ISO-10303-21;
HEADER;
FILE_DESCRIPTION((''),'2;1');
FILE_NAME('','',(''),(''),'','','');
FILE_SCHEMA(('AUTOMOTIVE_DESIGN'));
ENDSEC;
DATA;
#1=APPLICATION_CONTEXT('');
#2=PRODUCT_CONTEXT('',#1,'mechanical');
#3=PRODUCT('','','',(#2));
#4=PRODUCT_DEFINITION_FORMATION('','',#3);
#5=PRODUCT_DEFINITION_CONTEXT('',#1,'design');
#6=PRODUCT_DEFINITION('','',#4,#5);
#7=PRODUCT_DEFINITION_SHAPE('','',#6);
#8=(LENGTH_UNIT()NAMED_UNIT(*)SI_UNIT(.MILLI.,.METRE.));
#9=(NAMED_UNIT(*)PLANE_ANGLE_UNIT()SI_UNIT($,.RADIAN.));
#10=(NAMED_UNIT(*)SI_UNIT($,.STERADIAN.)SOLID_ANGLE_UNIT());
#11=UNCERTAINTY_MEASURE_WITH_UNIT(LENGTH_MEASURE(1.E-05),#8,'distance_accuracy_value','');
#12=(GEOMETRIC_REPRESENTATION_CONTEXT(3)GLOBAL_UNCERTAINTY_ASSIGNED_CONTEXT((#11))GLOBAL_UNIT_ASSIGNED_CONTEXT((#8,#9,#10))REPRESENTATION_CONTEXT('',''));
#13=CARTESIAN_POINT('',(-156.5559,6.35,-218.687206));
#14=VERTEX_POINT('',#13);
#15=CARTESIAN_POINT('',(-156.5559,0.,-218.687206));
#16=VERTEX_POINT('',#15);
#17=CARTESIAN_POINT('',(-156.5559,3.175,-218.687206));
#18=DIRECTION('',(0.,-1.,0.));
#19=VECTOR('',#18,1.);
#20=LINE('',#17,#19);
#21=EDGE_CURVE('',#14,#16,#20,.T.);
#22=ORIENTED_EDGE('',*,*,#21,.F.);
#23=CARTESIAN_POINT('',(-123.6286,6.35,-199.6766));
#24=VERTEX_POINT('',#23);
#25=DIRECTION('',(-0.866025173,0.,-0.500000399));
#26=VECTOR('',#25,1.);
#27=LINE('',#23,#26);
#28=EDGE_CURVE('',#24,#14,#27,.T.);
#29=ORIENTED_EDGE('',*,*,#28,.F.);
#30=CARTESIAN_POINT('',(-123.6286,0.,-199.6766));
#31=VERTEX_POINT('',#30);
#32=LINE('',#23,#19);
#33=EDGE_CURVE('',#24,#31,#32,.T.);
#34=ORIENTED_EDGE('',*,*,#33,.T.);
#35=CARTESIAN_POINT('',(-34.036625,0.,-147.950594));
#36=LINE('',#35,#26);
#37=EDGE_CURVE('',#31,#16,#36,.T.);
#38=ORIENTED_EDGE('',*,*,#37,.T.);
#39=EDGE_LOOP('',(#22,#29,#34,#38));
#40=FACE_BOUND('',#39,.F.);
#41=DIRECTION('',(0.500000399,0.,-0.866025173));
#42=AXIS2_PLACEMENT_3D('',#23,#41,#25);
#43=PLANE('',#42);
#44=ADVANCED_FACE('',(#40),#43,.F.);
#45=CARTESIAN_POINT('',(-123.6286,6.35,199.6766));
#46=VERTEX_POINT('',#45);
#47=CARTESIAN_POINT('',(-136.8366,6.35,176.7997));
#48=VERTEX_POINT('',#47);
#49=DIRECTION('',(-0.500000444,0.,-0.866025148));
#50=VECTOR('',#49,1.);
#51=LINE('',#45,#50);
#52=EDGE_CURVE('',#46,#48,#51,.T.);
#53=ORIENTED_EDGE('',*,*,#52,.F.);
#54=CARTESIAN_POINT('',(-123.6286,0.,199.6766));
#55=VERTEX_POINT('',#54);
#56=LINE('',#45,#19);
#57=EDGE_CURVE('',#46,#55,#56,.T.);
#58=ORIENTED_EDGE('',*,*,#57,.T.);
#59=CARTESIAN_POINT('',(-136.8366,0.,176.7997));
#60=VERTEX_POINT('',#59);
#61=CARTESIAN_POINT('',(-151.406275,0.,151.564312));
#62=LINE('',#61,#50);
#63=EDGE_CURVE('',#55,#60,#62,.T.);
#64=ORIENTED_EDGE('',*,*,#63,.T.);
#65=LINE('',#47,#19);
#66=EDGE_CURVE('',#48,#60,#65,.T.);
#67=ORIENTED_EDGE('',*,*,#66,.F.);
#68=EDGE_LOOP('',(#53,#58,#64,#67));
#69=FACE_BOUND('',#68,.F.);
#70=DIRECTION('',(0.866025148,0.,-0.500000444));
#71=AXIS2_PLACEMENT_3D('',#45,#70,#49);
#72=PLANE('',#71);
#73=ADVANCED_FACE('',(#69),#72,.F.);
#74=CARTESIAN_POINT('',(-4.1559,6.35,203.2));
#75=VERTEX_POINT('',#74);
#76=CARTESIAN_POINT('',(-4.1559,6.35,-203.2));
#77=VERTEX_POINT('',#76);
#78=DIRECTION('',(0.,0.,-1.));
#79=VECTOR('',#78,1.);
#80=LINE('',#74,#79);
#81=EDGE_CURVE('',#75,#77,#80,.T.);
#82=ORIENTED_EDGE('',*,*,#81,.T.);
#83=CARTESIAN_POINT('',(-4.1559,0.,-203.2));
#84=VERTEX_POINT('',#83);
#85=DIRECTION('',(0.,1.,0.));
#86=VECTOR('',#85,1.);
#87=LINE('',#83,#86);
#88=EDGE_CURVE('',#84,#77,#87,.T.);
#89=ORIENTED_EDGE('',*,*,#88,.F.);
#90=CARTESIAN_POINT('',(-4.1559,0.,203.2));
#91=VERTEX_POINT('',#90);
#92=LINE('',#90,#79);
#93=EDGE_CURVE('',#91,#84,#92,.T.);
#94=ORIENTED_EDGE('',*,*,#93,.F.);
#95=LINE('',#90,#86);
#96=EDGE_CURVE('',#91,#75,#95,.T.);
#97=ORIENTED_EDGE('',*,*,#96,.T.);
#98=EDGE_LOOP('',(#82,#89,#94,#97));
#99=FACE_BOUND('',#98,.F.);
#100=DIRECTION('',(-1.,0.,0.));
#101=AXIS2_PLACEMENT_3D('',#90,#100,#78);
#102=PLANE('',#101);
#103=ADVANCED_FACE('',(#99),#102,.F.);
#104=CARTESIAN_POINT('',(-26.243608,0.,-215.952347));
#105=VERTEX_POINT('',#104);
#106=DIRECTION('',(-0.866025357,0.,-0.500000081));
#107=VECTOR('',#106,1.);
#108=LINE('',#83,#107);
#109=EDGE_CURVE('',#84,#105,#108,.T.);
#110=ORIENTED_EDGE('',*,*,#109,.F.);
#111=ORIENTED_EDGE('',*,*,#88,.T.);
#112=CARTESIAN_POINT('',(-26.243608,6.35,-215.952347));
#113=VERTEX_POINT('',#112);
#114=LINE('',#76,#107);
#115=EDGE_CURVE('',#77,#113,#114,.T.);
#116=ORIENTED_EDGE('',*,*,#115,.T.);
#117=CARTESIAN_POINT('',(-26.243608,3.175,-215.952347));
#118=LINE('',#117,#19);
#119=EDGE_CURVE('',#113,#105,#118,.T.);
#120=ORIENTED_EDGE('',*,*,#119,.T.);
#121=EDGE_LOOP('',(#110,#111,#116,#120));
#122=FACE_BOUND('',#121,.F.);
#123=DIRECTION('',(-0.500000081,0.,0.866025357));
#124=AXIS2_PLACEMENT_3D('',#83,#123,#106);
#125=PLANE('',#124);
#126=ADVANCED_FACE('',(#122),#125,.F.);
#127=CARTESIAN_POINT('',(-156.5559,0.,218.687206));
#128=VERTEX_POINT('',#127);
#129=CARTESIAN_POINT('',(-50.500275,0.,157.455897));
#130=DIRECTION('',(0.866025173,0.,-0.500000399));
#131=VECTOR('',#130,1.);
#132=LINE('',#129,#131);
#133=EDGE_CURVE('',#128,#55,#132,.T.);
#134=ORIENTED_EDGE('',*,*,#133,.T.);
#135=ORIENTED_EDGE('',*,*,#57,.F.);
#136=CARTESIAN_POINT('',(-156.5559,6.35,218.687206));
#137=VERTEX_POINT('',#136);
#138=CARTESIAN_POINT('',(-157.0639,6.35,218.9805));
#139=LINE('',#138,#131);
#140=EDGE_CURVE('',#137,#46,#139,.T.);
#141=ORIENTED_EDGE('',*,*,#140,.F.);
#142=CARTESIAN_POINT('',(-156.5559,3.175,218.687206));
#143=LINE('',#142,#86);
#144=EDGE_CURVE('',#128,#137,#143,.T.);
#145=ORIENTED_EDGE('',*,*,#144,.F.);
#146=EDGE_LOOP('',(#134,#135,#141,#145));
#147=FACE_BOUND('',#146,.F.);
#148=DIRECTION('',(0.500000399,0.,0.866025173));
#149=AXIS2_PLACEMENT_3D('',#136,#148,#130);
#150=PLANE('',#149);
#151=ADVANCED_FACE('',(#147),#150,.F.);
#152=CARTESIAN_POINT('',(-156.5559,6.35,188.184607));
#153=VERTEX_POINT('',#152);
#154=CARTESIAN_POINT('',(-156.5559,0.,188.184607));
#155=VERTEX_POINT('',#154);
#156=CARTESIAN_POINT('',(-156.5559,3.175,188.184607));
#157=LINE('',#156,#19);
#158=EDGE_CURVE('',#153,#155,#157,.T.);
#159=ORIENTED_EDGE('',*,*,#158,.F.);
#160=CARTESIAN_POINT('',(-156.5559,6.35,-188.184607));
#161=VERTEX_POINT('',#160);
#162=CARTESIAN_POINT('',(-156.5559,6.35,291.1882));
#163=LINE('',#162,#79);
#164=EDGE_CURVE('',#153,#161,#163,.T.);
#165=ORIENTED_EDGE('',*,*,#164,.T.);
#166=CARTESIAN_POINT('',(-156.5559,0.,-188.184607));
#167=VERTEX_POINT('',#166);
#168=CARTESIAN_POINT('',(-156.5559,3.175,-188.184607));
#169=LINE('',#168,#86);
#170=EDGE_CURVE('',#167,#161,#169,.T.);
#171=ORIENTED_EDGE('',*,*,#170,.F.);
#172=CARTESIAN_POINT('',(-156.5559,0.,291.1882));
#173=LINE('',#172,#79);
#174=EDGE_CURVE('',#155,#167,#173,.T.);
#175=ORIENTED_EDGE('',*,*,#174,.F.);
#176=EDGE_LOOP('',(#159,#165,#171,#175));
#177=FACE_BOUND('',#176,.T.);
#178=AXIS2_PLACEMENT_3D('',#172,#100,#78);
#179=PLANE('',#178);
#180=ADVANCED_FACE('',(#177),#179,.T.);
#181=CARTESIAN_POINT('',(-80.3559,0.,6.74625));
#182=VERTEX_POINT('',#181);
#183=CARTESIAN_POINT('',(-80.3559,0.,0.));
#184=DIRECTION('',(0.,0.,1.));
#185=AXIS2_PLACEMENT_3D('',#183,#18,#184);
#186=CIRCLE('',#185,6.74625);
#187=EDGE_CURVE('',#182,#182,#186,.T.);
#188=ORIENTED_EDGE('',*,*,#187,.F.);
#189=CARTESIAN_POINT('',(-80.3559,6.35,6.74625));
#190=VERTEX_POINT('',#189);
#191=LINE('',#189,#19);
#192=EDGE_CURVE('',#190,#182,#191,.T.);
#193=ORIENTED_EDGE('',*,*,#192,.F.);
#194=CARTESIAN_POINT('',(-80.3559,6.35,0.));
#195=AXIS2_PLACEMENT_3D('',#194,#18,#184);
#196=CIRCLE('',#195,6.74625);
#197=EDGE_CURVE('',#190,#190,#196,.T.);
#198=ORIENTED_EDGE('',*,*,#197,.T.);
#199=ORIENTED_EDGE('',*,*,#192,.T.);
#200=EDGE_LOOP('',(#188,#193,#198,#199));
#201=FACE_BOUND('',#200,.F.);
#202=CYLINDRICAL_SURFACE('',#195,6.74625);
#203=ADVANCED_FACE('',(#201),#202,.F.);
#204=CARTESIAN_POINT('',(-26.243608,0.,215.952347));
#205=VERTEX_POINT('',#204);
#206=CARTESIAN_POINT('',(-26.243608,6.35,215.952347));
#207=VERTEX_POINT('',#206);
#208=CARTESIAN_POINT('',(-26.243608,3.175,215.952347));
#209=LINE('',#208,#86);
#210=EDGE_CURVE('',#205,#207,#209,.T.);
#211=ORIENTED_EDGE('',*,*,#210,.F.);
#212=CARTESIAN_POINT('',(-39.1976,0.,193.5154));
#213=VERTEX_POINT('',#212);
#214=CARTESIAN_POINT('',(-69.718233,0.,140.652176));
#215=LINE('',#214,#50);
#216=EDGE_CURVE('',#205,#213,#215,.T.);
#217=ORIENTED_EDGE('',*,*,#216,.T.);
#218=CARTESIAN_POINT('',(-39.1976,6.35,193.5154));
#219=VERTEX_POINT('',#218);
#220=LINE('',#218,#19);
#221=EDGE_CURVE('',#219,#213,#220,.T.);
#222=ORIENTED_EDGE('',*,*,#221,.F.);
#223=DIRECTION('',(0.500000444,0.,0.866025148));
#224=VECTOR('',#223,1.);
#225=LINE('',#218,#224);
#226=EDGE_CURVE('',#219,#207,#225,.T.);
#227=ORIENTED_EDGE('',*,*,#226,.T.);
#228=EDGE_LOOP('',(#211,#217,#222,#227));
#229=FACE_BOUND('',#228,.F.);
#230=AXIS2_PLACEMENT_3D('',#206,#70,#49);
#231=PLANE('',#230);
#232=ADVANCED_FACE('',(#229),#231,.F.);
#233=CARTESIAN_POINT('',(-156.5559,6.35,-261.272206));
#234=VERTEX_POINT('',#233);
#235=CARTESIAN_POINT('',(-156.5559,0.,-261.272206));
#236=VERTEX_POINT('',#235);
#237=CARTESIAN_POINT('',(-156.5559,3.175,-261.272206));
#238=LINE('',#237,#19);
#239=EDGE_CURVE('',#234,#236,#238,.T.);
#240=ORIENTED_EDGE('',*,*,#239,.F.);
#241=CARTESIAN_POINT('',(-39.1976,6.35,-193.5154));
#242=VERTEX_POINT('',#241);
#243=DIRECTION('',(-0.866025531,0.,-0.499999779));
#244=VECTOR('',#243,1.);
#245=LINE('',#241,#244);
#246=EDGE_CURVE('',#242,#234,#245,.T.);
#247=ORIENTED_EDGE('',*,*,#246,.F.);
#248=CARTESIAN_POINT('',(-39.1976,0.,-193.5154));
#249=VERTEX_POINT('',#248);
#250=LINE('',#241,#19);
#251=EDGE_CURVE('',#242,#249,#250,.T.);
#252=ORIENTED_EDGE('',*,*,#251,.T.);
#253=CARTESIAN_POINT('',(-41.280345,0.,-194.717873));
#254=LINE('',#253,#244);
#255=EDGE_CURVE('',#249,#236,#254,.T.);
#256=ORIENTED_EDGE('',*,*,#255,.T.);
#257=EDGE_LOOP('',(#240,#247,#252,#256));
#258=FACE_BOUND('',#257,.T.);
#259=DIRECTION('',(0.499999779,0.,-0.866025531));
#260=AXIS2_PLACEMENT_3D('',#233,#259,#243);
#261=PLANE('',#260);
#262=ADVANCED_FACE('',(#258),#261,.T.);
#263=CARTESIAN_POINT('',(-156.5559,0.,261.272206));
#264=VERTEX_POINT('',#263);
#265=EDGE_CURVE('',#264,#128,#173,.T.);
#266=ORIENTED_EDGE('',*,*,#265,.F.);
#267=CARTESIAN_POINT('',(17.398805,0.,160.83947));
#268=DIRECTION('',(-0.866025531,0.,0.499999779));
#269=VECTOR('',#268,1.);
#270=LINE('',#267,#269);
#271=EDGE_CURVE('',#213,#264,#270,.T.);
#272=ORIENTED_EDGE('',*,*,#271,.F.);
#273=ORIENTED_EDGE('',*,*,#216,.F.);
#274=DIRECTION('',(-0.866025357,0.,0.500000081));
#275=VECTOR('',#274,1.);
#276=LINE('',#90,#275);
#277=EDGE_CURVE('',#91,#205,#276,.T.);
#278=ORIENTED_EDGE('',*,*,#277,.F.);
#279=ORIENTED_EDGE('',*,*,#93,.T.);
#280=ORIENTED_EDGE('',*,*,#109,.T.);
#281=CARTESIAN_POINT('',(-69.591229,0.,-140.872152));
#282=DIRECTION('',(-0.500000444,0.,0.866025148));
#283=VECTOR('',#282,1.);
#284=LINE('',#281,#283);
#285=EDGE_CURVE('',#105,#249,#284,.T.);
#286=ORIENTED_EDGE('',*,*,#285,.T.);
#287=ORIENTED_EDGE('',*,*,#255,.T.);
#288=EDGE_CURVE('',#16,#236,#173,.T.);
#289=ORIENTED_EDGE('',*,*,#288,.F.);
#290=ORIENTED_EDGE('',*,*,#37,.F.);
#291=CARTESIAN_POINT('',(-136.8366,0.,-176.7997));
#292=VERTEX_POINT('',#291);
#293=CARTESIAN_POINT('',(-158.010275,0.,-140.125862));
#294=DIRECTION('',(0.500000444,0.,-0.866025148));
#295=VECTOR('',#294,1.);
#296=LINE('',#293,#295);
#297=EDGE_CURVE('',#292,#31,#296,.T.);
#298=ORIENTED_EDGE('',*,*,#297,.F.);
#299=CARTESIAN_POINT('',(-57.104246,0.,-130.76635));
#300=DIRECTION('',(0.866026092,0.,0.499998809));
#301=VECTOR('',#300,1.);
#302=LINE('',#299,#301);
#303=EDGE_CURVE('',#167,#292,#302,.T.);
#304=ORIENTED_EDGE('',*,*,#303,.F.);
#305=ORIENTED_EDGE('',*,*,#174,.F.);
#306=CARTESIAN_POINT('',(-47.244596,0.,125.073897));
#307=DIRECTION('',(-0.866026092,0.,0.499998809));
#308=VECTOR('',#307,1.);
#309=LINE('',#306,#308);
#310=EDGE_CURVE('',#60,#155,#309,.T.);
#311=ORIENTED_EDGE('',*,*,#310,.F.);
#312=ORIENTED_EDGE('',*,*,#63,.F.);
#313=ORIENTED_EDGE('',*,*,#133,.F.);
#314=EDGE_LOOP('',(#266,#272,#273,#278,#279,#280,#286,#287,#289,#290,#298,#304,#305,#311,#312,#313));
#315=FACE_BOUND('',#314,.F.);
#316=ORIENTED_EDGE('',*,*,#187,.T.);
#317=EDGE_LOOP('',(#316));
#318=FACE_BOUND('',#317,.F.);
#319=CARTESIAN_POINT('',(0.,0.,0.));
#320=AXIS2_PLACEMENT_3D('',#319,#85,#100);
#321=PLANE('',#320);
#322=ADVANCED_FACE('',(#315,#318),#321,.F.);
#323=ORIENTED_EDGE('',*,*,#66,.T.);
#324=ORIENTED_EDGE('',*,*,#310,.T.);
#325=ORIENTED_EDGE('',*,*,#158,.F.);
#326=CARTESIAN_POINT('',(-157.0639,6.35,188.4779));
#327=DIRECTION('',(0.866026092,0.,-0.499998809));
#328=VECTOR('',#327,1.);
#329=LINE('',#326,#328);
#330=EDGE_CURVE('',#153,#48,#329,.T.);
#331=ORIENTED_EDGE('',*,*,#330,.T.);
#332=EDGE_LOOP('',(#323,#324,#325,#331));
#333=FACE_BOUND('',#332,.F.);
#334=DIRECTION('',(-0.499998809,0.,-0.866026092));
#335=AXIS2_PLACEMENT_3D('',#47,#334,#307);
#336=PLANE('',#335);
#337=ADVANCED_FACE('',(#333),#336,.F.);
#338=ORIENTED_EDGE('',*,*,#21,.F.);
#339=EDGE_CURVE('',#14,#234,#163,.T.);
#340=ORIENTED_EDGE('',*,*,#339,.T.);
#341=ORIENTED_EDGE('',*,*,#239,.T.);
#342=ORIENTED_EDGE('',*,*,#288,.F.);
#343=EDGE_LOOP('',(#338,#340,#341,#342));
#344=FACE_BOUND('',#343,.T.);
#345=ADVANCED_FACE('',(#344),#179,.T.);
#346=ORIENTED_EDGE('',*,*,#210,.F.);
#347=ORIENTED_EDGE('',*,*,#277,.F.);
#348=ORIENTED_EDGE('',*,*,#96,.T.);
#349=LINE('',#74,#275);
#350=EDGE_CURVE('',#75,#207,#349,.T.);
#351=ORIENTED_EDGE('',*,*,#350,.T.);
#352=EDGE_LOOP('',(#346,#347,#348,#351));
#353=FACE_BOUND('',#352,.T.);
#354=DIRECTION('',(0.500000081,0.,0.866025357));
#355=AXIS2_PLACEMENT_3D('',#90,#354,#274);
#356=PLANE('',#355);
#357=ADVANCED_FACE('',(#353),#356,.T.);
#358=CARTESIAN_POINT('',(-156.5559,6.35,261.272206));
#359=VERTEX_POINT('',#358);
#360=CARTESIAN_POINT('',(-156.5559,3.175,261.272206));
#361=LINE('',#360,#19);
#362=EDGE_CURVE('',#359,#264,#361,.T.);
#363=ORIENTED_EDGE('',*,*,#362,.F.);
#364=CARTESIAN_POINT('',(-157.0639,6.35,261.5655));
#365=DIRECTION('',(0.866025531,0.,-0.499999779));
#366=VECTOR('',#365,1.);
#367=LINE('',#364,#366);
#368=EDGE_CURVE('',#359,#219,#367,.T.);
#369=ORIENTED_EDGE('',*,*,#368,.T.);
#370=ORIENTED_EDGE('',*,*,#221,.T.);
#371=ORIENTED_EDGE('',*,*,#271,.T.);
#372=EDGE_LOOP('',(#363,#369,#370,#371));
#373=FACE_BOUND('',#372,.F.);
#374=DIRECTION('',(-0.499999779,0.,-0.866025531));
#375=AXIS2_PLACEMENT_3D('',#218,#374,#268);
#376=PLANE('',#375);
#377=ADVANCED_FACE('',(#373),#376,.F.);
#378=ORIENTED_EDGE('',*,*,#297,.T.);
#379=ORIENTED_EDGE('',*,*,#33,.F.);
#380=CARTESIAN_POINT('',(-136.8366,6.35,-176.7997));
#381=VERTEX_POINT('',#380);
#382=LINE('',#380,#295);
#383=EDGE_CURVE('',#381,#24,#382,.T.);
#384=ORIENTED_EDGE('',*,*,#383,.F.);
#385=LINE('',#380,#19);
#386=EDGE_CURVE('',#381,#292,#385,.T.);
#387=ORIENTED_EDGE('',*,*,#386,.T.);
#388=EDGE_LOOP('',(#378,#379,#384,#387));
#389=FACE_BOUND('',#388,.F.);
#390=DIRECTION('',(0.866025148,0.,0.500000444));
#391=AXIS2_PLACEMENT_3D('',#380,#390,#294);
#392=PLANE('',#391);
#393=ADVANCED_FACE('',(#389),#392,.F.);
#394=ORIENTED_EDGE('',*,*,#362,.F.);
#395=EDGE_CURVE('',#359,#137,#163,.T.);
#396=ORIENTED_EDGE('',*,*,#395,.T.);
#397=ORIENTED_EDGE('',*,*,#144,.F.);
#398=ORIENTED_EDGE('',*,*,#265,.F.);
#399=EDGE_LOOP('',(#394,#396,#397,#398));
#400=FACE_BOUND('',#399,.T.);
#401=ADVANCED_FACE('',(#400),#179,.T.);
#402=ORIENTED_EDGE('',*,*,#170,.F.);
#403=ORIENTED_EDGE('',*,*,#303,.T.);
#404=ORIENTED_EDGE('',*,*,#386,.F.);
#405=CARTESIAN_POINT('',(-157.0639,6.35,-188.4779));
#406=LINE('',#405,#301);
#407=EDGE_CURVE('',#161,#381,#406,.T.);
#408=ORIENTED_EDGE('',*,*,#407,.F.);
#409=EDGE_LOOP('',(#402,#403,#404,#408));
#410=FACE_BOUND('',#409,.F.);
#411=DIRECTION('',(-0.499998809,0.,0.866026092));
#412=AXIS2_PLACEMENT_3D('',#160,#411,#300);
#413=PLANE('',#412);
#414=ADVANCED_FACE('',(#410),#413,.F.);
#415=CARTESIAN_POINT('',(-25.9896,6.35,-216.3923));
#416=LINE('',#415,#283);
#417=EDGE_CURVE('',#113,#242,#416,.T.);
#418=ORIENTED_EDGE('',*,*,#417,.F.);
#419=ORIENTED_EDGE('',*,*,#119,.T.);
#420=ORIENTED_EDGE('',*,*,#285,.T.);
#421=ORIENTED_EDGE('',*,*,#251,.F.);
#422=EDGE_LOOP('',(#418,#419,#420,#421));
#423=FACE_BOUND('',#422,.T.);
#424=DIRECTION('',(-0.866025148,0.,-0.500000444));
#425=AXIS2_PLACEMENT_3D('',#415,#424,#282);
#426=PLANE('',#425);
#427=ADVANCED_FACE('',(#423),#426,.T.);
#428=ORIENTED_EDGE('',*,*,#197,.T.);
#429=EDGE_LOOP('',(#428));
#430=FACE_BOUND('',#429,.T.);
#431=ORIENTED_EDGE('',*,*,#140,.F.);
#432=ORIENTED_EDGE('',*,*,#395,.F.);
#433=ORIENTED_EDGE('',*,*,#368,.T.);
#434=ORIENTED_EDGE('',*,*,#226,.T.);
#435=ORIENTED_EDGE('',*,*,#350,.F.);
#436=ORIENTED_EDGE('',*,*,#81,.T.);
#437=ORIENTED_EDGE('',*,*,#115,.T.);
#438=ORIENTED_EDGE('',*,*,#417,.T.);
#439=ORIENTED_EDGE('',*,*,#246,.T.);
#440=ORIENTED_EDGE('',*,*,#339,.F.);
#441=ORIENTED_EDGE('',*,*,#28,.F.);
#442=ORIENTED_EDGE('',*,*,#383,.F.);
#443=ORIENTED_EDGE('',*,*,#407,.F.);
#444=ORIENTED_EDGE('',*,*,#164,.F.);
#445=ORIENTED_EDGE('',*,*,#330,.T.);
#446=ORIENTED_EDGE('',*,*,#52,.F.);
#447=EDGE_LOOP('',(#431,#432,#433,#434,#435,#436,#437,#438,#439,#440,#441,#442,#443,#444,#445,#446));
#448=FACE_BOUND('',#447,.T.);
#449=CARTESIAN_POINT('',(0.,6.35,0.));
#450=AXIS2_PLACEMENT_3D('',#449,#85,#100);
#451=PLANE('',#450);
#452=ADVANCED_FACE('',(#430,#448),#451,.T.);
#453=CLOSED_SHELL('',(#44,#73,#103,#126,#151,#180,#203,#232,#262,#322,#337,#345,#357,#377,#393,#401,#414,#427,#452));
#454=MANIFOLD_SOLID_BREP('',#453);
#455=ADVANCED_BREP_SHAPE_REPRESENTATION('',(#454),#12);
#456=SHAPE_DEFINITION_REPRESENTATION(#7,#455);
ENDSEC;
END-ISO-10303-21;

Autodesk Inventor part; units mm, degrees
ref_plane "YZ Plane" through (0, 0, 0) normal (1, 0, 0) x (0, 1, 0)
ref_plane "XZ Plane" through (0, 0, 0) normal (0, 1, 0) x (-1, 0, 0)
ref_plane "XY Plane" through (0, 0, 0) normal (0, 0, 1) x (1, 0, 0)
sketch "Sketch1" plane through (0, 0, 0) normal (0, 1, 0) x (-1, 0, 0)
  line L0 (4.1559, 203.2) -> (4.1559, -203.2)
  line L1 (4.1559, -203.2) -> (156.5559, -291.1882)
  line L2 (4.1559, 203.2) -> (156.5559, 291.1882)
  line L3 (4.1559, 203.2) -> (180.1322, 203.2) construction
  line L4 (156.5559, 291.1882) -> (156.5559, -291.1882)
  point P0 (0, 0)
  point P1 (4.1559, 0)
  dimension "d0" = 120
  dimension "d1" = 30
  dimension "d2" = 406.4
  dimension "d5" = 152.4
extrude "Extrusion1" add sketch "Sketch1" along normal blind 6.35
sketch "Sketch3" plane through (0, 6.35, 0) normal (0, 1, 0) x (1, 0, 0)
  line L0 (-1236.8748, 812.4936) -> (-137.0225, 177.4936) projected
  line L1 (-1224.1748, 834.4907) -> (-1236.8748, 812.4936) projected
  line L2 (-124.3225, 199.4907) -> (-1224.1748, 834.4907) projected
  line L3 (-137.0225, 177.4936) -> (-124.3225, 199.4907) projected
  line L4 (-26.6836, 216.2064) -> (-1258.5181, 927.4064) projected
  line L5 (-39.3836, 194.2093) -> (-26.6836, 216.2064) projected
  line L6 (-1271.2181, 905.4093) -> (-39.3836, 194.2093) projected
  line L7 (-1258.5181, 927.4064) -> (-1271.2181, 905.4093) projected
  line L8 (-1258.5181, -927.4064) -> (-26.6836, -216.2064) projected
  line L9 (-1271.2181, -905.4093) -> (-1258.5181, -927.4064) projected
  line L10 (-39.3836, -194.2093) -> (-1271.2181, -905.4093) projected
  line L11 (-26.6836, -216.2064) -> (-39.3836, -194.2093) projected
  line L12 (-137.0225, -177.4936) -> (-1236.8748, -812.4936) projected
  line L13 (-124.3225, -199.4907) -> (-137.0225, -177.4936) projected
  line L14 (-1224.1748, -834.4907) -> (-124.3225, -199.4907) projected
  line L15 (-1236.8748, -812.4936) -> (-1224.1748, -834.4907) projected
  line L16 (-156.5559, 291.1882) -> (-156.5559, -291.1882) projected
  line L17 (-156.5559, -218.1006) -> (-156.5559, -188.7712)
  line L18 (-156.5559, -188.7712) -> (-137.0225, -177.4936)
  line L19 (-137.0225, -177.4936) -> (-124.3225, -199.4907)
  line L20 (-124.3225, -199.4907) -> (-156.5559, -218.1006)
  line L21 (-136.8366, -176.7997) -> (-157.0639, -188.4779)
  line L22 (-157.0639, -188.4779) -> (-157.0639, -218.9805)
  line L23 (-157.0639, -218.9805) -> (-123.6286, -199.6766)
  line L24 (-123.6286, -199.6766) -> (-136.8366, -176.7997)
  line L25 (-156.5559, -261.8588) -> (-156.5559, -291.1882)
  line L26 (-156.5559, -291.1882) -> (-26.6836, -216.2064)
  line L27 (-156.5559, -291.1882) -> (-4.1559, -203.2) projected
  line L28 (-26.6836, -216.2064) -> (-39.3836, -194.2093)
  line L29 (-39.3836, -194.2093) -> (-156.5559, -261.8588)
  line L30 (-157.0639, -261.5655) -> (-157.0639, -292.0681)
  line L31 (-157.0639, -292.0681) -> (-25.9896, -216.3923)
  line L32 (-25.9896, -216.3923) -> (-39.1976, -193.5154)
  line L33 (-39.1976, -193.5154) -> (-157.0639, -261.5655)
  line L34 (-156.5559, 218.1006) -> (-156.5559, 188.7712)
  line L35 (-156.5559, 188.7712) -> (-137.0225, 177.4936)
  line L36 (-137.0225, 177.4936) -> (-124.3225, 199.4907)
  line L37 (-124.3225, 199.4907) -> (-156.5559, 218.1006)
  line L38 (-157.0639, 218.9805) -> (-157.0639, 188.4779)
  line L39 (-157.0639, 188.4779) -> (-136.8366, 176.7997)
  line L40 (-136.8366, 176.7997) -> (-123.6286, 199.6766)
  line L41 (-123.6286, 199.6766) -> (-157.0639, 218.9805)
  line L42 (-156.5559, 261.8588) -> (-156.5559, 291.1882)
  line L43 (-156.5559, 291.1882) -> (-26.6836, 216.2064)
  line L44 (-26.6836, 216.2064) -> (-39.3836, 194.2093)
  line L45 (-39.3836, 194.2093) -> (-156.5559, 261.8588)
  line L46 (-157.0639, 261.5655) -> (-157.0639, 292.0681)
  line L47 (-157.0639, 292.0681) -> (-25.9896, 216.3923)
  line L48 (-25.9896, 216.3923) -> (-39.1976, 193.5154)
  line L49 (-39.1976, 193.5154) -> (-157.0639, 261.5655)
  point P0 (0, 0)
  dimension "d6" = 0.508
  dimension "d7" = 0.508
  dimension "d8" = 0.508
  dimension "d9" = 0.508
extrude "Extrusion2" cut sketch "Sketch3" against normal through all contours L16 L2 L3 L0 | L16 L39 L38 L0 | L0 L38 L2 L16 | L0 L3 L2 L16 L41 L40 L39 | L49 L46 L6 L16 | L16 L6 L5 L4 L46 L47 L48 L49 | L33 L32 L27 L11 L10 L16 | L16 L10 L30 L33 | L21 L24 L23 L16 L14 L13 L12 | L16 L12 L22 L21 | L0 L1 L2 L38 | L2 L38 L41 L16 | L16 L14 L22 L12 | L12 L13 L14 L16 | L16 L4 L5 L6 | L6 L46 L4 L16 | L22 L14 L15 L12 | L16 L23 L22 L14 | L16 L8 L30 L10 | L10 L11 L8 L16 | L8 L27 L32 L31 L30
sketch "Sketch4" plane through (0, 6.35, 0) normal (0, 1, 0) x (1, 0, 0)
  line L0 (-4.1559, -203.2) -> (-4.1559, 203.2) projected
  point P0 (0, 0)
  point P1 (-80.3559, 0)
  dimension "d12" = 76.2
  dimension "d13" = 203.2
hole "Hole1" at (-80.3559, 6.35, 0) direction (0, -1, 0) diameter 13.4925 end through all
properties part number "Triangle End"
